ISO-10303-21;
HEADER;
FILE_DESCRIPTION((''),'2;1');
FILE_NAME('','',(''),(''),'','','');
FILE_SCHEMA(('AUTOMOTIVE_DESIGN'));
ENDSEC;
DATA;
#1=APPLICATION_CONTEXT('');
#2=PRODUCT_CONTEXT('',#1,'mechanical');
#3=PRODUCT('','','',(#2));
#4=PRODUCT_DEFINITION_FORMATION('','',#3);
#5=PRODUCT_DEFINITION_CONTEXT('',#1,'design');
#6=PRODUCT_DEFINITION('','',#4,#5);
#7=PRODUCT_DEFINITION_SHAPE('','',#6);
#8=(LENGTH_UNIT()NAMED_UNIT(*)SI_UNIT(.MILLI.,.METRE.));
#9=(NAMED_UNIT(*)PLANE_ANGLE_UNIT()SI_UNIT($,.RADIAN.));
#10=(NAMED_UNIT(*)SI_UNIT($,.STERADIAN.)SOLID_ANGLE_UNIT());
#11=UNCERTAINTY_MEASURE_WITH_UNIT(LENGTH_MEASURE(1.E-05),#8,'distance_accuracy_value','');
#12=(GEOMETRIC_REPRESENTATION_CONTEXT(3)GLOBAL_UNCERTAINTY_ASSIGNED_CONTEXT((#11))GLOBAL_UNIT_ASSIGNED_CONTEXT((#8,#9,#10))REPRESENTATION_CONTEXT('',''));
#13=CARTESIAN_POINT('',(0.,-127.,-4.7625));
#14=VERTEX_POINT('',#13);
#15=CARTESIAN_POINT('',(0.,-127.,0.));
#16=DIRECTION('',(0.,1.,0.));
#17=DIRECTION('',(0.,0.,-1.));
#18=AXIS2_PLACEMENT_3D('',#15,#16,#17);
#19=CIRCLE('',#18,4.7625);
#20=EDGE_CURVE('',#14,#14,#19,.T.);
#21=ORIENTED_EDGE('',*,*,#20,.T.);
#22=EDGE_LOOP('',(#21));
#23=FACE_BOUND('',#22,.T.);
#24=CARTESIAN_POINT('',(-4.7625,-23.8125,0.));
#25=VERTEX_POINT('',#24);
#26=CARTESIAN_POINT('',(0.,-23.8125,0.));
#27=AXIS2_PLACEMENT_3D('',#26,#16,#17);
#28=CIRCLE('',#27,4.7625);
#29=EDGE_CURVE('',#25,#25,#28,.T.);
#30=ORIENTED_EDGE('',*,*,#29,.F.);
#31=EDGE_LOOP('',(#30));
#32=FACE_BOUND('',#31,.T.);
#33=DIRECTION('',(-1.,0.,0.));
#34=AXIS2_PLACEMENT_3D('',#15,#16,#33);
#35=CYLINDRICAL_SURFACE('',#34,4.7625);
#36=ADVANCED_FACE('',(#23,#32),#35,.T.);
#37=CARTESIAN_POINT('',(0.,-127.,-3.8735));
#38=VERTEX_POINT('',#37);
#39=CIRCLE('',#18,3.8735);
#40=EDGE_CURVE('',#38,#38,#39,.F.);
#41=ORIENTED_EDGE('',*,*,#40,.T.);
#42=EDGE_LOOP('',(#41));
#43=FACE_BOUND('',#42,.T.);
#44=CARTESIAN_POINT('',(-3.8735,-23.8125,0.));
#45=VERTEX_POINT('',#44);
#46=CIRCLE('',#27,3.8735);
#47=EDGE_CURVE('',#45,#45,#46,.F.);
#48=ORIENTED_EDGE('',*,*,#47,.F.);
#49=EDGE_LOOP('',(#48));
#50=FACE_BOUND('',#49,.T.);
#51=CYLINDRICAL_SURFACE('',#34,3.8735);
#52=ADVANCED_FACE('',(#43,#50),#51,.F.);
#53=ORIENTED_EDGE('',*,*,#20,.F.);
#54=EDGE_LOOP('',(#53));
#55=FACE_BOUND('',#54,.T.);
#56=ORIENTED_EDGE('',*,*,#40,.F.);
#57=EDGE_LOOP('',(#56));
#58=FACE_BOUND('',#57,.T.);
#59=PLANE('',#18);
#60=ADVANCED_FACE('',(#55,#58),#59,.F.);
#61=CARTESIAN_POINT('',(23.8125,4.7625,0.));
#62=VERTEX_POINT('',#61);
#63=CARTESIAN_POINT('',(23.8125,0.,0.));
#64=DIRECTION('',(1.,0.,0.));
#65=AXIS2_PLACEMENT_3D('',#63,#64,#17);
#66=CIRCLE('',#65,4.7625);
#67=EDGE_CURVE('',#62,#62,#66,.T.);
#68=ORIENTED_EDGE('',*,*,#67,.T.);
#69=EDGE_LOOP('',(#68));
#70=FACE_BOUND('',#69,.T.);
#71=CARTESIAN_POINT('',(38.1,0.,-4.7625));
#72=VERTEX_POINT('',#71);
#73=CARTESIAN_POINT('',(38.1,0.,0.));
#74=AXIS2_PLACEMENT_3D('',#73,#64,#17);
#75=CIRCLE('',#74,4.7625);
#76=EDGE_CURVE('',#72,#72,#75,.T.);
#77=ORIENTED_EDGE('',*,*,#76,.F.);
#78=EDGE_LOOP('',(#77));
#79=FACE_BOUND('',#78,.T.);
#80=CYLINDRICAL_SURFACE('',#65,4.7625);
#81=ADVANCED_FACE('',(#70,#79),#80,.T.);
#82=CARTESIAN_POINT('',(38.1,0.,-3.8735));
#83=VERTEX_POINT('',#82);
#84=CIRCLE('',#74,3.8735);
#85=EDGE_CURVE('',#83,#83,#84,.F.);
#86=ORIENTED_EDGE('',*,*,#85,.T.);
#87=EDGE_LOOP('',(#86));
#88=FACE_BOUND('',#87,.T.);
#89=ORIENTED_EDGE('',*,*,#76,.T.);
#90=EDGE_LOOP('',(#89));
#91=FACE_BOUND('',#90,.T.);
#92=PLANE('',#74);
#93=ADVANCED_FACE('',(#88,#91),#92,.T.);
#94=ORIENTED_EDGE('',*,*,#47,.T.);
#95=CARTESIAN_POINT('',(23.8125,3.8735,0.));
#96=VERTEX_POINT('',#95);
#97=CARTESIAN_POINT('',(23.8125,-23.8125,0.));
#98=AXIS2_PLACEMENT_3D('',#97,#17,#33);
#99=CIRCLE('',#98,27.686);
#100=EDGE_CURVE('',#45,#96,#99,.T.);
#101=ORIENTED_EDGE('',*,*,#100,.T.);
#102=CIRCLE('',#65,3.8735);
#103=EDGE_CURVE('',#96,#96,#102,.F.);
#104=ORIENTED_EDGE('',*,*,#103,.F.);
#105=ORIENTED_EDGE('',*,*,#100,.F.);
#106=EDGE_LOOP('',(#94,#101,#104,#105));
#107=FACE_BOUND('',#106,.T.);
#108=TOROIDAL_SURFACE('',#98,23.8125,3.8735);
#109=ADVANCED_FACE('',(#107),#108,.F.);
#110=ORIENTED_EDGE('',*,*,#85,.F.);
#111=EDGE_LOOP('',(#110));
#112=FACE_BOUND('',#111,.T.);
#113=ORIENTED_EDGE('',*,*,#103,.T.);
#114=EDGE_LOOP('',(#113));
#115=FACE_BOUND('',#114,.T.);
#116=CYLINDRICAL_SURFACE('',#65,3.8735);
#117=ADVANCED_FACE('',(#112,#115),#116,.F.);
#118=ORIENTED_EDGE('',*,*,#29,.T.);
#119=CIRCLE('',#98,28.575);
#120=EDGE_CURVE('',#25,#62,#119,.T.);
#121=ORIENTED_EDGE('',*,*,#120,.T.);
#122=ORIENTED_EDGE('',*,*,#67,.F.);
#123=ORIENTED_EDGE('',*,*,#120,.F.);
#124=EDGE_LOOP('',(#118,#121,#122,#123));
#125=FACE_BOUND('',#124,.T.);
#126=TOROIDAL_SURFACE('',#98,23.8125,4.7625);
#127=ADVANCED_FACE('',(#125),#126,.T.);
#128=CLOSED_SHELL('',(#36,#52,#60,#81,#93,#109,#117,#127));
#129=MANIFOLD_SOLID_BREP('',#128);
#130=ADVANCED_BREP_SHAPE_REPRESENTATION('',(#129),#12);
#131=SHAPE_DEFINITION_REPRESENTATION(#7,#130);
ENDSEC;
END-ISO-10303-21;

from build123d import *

# Parameters (mm, degrees)
SKETCH2_R   = 4.7625
SKETCH2_R_2 = 3.8735


with BuildPart() as part:
    # Sweep1: sweep along a path in Sketch1
    with BuildLine(Plane.XY) as sweep1_path:
        Line((0, -127), (0, -23.8125))
        ThreePointArc((0, -23.8125), (6.974519773, -6.974519773), (23.8125, 0))
        Line((23.8125, 0), (38.1, 0))
    # Sketch2 → Sweep1 (sweep)
    with BuildSketch(Plane(origin=(38.1, 0, 0), x_dir=(0, 0, -1), z_dir=(1, 0, 0))):
        Circle(SKETCH2_R)
        Circle(SKETCH2_R_2, mode=Mode.SUBTRACT)
    sweep(path=sweep1_path.line)


solid = part.part
